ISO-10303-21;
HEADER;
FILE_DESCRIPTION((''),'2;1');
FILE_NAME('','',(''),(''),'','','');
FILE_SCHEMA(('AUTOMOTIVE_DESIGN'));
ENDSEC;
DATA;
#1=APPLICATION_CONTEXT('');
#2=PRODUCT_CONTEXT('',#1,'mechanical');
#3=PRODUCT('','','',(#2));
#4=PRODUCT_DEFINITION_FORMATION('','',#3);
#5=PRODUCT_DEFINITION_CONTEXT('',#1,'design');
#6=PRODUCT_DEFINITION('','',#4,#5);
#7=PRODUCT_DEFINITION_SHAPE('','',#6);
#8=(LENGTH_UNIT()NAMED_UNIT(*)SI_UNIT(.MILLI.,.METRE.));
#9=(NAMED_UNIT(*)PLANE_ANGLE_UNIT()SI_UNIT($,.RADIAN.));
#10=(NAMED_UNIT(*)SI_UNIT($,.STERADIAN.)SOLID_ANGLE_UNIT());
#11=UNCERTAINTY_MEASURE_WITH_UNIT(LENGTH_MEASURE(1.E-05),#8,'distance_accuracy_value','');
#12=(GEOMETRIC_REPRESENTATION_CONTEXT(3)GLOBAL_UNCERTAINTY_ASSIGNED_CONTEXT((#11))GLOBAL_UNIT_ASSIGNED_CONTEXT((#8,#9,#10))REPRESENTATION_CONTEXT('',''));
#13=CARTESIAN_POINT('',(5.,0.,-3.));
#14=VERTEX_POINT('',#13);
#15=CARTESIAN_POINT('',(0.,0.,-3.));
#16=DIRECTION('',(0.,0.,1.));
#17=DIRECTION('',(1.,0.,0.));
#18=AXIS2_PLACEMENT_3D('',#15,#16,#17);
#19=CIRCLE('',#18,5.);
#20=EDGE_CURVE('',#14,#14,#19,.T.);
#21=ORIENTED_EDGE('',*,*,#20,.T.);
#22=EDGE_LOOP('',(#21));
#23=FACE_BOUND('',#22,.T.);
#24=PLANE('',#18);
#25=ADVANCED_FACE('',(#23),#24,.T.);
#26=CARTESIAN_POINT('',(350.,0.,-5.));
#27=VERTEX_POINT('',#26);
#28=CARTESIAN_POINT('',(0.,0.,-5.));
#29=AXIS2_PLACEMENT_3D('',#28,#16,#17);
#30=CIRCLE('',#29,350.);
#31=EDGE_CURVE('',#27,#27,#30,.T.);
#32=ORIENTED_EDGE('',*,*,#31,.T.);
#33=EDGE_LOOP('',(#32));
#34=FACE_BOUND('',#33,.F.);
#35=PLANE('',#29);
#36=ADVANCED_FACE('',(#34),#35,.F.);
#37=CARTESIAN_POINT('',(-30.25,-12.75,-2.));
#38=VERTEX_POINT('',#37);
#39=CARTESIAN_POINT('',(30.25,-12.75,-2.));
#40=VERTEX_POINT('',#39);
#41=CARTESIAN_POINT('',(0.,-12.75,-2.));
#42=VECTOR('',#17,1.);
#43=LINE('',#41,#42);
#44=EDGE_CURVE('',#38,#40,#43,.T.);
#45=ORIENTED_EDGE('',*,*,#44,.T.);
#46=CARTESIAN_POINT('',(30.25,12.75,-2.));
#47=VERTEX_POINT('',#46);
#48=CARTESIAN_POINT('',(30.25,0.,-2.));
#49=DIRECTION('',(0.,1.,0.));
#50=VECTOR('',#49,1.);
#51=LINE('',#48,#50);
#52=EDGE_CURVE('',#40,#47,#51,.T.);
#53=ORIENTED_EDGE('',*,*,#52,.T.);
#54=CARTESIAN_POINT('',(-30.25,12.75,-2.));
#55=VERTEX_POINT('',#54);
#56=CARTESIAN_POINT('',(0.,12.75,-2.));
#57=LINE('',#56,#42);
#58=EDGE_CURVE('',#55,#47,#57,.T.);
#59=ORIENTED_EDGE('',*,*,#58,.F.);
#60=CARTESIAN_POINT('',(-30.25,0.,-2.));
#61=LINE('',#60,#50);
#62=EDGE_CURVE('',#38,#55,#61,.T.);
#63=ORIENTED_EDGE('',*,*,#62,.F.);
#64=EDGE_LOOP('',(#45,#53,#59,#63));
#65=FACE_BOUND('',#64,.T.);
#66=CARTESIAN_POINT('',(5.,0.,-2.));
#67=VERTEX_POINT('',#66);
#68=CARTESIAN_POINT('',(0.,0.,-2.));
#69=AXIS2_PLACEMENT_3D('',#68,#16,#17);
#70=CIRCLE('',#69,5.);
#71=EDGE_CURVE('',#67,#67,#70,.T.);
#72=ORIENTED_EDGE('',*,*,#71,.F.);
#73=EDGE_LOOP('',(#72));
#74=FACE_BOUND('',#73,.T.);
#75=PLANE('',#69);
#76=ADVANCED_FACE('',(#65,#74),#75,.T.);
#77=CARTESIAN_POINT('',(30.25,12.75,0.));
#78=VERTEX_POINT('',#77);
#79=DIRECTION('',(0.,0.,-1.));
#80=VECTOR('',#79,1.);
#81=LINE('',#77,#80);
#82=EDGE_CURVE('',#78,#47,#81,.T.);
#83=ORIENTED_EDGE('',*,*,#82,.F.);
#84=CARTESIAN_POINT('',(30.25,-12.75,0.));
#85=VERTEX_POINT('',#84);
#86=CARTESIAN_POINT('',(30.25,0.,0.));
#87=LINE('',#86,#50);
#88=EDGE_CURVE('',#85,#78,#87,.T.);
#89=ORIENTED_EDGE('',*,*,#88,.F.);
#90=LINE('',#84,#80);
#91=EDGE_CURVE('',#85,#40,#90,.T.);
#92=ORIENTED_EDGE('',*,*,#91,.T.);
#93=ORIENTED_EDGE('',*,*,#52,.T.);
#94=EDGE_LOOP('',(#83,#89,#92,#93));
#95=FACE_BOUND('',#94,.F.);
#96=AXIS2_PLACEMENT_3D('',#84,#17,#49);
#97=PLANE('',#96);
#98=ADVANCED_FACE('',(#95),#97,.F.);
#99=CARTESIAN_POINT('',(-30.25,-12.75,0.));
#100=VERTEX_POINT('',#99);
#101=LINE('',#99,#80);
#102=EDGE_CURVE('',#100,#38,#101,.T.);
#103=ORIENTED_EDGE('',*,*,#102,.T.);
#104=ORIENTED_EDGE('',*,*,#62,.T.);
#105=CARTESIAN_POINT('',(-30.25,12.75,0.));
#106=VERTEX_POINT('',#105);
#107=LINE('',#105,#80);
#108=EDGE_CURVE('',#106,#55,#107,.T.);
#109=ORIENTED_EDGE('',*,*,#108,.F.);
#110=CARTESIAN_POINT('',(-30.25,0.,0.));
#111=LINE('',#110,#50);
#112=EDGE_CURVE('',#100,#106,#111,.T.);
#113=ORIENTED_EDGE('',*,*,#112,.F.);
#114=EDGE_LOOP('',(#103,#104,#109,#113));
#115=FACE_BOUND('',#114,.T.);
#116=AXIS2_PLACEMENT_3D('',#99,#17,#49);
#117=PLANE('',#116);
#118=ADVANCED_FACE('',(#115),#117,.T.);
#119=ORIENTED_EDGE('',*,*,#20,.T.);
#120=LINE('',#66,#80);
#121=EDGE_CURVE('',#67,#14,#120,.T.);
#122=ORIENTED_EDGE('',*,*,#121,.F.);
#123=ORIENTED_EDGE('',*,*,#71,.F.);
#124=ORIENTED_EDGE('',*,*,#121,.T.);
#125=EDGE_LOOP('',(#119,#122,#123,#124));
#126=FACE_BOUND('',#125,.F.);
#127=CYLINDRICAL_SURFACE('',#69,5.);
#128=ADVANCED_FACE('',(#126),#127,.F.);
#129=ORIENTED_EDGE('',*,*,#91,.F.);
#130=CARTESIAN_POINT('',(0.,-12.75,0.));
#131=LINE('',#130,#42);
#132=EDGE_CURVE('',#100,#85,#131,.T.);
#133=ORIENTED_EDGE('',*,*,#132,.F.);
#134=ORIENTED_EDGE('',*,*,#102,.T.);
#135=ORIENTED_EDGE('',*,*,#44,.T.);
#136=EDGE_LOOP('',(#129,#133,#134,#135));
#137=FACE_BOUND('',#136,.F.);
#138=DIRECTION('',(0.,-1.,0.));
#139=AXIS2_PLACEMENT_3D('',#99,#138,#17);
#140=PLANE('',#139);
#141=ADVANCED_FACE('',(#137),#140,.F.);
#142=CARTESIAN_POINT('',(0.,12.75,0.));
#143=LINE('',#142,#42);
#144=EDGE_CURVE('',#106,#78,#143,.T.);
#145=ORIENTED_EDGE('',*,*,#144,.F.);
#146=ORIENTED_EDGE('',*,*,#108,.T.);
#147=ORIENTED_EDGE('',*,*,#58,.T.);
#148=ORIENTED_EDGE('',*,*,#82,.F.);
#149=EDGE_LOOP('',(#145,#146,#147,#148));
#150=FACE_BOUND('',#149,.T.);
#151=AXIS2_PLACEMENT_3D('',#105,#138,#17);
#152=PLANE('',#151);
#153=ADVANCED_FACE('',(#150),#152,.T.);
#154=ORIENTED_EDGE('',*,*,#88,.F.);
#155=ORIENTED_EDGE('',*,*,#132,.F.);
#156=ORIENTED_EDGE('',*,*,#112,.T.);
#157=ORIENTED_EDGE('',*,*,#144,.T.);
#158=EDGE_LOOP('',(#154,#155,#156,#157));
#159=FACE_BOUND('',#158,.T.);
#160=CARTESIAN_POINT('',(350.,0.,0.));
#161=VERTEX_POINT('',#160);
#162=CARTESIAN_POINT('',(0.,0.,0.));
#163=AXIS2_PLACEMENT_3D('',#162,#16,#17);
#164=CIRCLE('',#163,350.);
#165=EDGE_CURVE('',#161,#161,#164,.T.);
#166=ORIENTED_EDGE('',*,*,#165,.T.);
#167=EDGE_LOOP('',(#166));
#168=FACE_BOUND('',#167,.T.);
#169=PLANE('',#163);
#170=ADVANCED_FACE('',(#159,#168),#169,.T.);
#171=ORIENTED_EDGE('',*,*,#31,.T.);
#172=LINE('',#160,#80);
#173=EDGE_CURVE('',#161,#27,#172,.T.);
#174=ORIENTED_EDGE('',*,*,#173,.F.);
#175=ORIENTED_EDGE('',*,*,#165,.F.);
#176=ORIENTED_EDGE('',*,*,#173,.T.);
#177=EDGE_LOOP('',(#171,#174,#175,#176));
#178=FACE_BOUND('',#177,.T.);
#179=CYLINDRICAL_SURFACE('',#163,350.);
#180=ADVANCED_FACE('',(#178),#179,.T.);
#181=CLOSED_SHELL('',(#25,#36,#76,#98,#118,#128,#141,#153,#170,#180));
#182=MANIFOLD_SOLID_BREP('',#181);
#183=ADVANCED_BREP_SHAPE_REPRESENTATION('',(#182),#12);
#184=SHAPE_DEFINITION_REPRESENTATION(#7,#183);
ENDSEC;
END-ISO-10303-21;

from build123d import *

# Parameters (mm, degrees)
F0_R     = 350
F0_W     = 60.5
F0_H     = 25.5
F1_DEPTH = 5
F2_DEPTH = 2
F3_R     = 5
F4_DEPTH = 1


with BuildPart() as f1:
    # F0 (on Top) → F1 (new body)
    with BuildSketch(Plane.XY):
        Circle(F0_R)
        Rectangle(F0_W, F0_H, mode=Mode.SUBTRACT)
        Rectangle(F0_W, F0_H)
    extrude(amount=-F1_DEPTH)

    # F0 (on Top) → F2 (cut)
    with BuildSketch(Plane.XY):
        Rectangle(F0_W, F0_H)
    extrude(amount=-F2_DEPTH, mode=Mode.SUBTRACT)

    # F3 (on face) → F4 (cut)
    with BuildSketch(Plane.XY.offset(-2)):
        Circle(F3_R)
    extrude(amount=-F4_DEPTH, mode=Mode.SUBTRACT)


solid = f1.part
